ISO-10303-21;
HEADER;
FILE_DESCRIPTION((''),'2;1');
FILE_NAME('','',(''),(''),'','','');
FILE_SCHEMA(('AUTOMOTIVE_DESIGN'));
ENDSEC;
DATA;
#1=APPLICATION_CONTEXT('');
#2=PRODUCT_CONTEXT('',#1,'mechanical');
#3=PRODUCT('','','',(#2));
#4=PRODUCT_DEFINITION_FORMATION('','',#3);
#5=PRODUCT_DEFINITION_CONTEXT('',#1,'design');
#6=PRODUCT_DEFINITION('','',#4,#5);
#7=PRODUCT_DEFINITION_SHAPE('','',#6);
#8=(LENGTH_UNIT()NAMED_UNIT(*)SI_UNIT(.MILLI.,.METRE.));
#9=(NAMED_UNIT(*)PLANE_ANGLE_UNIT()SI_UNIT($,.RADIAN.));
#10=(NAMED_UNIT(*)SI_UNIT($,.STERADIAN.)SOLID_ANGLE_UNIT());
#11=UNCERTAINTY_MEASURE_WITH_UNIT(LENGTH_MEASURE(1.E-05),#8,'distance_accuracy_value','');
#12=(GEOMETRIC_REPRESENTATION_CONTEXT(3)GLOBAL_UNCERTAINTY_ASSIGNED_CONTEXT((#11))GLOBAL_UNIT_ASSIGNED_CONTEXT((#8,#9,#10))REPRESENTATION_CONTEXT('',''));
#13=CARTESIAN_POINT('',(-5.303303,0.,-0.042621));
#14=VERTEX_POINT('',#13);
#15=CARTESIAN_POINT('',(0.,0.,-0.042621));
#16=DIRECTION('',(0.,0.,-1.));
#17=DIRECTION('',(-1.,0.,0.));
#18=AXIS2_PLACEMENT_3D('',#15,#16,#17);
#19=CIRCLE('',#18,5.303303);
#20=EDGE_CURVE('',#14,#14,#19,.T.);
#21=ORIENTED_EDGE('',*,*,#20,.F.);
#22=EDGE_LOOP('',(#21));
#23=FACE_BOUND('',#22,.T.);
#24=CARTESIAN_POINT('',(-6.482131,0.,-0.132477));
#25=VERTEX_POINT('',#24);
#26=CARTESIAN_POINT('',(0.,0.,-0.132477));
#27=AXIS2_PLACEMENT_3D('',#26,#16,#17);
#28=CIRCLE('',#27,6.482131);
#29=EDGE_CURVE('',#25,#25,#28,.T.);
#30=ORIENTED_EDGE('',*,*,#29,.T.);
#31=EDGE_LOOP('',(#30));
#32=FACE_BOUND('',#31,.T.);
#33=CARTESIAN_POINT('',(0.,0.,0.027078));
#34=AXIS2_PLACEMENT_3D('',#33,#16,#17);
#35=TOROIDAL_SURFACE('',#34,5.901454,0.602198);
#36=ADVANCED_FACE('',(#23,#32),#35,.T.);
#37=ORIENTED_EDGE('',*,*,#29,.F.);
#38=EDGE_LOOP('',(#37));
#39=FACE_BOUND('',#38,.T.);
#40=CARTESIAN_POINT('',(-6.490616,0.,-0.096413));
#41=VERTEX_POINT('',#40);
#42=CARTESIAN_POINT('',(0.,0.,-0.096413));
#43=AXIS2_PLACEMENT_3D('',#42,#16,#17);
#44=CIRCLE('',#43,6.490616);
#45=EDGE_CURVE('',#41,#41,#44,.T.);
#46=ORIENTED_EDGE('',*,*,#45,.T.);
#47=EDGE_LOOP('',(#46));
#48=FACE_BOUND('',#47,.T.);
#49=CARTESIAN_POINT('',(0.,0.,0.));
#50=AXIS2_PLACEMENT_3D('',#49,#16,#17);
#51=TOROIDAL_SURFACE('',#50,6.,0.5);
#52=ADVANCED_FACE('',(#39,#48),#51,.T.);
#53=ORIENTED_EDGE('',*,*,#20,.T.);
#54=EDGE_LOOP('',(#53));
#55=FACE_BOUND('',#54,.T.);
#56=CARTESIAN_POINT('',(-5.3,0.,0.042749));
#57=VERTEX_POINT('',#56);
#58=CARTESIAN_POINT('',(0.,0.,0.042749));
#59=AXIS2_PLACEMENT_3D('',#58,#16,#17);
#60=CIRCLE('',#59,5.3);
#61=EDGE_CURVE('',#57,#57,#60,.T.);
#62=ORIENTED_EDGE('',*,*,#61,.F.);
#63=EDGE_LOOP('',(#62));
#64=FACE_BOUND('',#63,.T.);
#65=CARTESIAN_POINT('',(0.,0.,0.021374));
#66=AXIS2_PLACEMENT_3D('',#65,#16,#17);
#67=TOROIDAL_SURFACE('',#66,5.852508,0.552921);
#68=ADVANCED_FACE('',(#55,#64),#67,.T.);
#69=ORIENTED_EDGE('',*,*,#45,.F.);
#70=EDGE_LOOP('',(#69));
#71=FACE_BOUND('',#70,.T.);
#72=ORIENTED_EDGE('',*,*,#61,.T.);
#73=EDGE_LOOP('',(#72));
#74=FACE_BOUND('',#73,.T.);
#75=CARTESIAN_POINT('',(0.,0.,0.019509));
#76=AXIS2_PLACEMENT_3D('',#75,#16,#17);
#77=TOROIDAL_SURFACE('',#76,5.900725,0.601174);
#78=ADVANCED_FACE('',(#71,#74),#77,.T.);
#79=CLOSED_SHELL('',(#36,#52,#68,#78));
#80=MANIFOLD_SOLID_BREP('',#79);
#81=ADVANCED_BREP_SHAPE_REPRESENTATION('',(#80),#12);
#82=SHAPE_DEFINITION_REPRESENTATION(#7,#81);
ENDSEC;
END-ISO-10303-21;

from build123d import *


with BuildPart() as part:
    # Esboço3 → Revolução1 (revolve)
    with BuildSketch(Plane(origin=(0, 0, 0), x_dir=(1, 0, 0), z_dir=(0, 1, 0))):
        with BuildLine():
            ThreePointArc((-5.303302637, 0.042621064), (-5.855684413, 0.573378755), (-6.482130586, 0.132476785))
            ThreePointArc((-6.482130586, 0.132476785), (-6.486707628, 0.114523732), (-6.490616398, 0.096413433))
            ThreePointArc((-6.490616398, 0.096413433), (-5.970516332, -0.616618258), (-5.3, -0.04274883))
            ThreePointArc((-5.3, -0.04274883), (-5.3, 0), (-5.303302637, 0.042621064))
        make_face()
    revolve(axis=Axis((0, 0, -88.99), (0, 0, 1)))


solid = part.part
